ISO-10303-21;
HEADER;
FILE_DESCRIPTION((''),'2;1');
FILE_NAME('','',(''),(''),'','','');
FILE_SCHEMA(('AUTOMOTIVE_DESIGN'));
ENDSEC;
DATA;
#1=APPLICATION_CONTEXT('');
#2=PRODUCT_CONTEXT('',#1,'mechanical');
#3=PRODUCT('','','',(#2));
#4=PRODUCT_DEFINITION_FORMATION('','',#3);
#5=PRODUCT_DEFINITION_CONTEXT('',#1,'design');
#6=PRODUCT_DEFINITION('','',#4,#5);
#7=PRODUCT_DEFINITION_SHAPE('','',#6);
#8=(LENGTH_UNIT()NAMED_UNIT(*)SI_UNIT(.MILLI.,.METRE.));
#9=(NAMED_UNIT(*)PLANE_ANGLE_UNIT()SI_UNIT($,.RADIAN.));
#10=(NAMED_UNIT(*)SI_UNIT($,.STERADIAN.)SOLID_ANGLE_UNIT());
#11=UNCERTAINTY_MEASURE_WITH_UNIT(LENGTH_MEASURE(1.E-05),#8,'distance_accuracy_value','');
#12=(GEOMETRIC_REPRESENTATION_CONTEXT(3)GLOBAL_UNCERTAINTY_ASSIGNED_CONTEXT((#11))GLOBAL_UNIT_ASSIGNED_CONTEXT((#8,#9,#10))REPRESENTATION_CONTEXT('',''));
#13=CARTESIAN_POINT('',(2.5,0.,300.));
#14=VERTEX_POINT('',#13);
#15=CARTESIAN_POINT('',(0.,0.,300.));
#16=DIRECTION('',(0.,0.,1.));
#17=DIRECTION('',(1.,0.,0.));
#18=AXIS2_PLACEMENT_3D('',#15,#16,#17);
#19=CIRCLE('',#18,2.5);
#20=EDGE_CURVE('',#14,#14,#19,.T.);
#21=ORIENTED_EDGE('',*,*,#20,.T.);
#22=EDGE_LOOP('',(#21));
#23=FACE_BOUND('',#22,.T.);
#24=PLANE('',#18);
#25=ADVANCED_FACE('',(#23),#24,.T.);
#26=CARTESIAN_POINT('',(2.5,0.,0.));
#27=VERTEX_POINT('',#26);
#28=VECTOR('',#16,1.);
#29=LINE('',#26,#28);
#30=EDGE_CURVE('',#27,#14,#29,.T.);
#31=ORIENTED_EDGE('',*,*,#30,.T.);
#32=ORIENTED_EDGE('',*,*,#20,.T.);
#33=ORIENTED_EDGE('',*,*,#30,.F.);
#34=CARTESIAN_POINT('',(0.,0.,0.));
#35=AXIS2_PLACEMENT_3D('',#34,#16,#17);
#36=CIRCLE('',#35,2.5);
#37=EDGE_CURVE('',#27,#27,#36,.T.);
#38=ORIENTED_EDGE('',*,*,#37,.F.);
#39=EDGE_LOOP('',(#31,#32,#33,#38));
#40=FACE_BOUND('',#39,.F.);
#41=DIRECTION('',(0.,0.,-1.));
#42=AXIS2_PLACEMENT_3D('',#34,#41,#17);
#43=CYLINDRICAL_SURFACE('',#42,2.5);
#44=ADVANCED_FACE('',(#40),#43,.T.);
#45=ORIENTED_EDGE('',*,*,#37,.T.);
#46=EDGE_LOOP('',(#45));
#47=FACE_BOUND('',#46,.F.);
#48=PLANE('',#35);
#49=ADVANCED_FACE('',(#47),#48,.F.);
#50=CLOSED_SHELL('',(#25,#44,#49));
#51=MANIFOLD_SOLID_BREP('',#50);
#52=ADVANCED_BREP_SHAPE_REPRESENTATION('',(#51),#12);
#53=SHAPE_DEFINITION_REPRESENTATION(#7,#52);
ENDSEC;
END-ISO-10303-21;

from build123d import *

# Parameters (mm, degrees)
SKETCH1_R           = 2.5
BOSS_EXTRUDE1_DEPTH = 300


with BuildPart() as part:
    # Sketch1 → Boss-Extrude1 (new body)
    with BuildSketch(Plane.XY):
        Circle(SKETCH1_R)
    extrude(amount=BOSS_EXTRUDE1_DEPTH)


solid = part.part
